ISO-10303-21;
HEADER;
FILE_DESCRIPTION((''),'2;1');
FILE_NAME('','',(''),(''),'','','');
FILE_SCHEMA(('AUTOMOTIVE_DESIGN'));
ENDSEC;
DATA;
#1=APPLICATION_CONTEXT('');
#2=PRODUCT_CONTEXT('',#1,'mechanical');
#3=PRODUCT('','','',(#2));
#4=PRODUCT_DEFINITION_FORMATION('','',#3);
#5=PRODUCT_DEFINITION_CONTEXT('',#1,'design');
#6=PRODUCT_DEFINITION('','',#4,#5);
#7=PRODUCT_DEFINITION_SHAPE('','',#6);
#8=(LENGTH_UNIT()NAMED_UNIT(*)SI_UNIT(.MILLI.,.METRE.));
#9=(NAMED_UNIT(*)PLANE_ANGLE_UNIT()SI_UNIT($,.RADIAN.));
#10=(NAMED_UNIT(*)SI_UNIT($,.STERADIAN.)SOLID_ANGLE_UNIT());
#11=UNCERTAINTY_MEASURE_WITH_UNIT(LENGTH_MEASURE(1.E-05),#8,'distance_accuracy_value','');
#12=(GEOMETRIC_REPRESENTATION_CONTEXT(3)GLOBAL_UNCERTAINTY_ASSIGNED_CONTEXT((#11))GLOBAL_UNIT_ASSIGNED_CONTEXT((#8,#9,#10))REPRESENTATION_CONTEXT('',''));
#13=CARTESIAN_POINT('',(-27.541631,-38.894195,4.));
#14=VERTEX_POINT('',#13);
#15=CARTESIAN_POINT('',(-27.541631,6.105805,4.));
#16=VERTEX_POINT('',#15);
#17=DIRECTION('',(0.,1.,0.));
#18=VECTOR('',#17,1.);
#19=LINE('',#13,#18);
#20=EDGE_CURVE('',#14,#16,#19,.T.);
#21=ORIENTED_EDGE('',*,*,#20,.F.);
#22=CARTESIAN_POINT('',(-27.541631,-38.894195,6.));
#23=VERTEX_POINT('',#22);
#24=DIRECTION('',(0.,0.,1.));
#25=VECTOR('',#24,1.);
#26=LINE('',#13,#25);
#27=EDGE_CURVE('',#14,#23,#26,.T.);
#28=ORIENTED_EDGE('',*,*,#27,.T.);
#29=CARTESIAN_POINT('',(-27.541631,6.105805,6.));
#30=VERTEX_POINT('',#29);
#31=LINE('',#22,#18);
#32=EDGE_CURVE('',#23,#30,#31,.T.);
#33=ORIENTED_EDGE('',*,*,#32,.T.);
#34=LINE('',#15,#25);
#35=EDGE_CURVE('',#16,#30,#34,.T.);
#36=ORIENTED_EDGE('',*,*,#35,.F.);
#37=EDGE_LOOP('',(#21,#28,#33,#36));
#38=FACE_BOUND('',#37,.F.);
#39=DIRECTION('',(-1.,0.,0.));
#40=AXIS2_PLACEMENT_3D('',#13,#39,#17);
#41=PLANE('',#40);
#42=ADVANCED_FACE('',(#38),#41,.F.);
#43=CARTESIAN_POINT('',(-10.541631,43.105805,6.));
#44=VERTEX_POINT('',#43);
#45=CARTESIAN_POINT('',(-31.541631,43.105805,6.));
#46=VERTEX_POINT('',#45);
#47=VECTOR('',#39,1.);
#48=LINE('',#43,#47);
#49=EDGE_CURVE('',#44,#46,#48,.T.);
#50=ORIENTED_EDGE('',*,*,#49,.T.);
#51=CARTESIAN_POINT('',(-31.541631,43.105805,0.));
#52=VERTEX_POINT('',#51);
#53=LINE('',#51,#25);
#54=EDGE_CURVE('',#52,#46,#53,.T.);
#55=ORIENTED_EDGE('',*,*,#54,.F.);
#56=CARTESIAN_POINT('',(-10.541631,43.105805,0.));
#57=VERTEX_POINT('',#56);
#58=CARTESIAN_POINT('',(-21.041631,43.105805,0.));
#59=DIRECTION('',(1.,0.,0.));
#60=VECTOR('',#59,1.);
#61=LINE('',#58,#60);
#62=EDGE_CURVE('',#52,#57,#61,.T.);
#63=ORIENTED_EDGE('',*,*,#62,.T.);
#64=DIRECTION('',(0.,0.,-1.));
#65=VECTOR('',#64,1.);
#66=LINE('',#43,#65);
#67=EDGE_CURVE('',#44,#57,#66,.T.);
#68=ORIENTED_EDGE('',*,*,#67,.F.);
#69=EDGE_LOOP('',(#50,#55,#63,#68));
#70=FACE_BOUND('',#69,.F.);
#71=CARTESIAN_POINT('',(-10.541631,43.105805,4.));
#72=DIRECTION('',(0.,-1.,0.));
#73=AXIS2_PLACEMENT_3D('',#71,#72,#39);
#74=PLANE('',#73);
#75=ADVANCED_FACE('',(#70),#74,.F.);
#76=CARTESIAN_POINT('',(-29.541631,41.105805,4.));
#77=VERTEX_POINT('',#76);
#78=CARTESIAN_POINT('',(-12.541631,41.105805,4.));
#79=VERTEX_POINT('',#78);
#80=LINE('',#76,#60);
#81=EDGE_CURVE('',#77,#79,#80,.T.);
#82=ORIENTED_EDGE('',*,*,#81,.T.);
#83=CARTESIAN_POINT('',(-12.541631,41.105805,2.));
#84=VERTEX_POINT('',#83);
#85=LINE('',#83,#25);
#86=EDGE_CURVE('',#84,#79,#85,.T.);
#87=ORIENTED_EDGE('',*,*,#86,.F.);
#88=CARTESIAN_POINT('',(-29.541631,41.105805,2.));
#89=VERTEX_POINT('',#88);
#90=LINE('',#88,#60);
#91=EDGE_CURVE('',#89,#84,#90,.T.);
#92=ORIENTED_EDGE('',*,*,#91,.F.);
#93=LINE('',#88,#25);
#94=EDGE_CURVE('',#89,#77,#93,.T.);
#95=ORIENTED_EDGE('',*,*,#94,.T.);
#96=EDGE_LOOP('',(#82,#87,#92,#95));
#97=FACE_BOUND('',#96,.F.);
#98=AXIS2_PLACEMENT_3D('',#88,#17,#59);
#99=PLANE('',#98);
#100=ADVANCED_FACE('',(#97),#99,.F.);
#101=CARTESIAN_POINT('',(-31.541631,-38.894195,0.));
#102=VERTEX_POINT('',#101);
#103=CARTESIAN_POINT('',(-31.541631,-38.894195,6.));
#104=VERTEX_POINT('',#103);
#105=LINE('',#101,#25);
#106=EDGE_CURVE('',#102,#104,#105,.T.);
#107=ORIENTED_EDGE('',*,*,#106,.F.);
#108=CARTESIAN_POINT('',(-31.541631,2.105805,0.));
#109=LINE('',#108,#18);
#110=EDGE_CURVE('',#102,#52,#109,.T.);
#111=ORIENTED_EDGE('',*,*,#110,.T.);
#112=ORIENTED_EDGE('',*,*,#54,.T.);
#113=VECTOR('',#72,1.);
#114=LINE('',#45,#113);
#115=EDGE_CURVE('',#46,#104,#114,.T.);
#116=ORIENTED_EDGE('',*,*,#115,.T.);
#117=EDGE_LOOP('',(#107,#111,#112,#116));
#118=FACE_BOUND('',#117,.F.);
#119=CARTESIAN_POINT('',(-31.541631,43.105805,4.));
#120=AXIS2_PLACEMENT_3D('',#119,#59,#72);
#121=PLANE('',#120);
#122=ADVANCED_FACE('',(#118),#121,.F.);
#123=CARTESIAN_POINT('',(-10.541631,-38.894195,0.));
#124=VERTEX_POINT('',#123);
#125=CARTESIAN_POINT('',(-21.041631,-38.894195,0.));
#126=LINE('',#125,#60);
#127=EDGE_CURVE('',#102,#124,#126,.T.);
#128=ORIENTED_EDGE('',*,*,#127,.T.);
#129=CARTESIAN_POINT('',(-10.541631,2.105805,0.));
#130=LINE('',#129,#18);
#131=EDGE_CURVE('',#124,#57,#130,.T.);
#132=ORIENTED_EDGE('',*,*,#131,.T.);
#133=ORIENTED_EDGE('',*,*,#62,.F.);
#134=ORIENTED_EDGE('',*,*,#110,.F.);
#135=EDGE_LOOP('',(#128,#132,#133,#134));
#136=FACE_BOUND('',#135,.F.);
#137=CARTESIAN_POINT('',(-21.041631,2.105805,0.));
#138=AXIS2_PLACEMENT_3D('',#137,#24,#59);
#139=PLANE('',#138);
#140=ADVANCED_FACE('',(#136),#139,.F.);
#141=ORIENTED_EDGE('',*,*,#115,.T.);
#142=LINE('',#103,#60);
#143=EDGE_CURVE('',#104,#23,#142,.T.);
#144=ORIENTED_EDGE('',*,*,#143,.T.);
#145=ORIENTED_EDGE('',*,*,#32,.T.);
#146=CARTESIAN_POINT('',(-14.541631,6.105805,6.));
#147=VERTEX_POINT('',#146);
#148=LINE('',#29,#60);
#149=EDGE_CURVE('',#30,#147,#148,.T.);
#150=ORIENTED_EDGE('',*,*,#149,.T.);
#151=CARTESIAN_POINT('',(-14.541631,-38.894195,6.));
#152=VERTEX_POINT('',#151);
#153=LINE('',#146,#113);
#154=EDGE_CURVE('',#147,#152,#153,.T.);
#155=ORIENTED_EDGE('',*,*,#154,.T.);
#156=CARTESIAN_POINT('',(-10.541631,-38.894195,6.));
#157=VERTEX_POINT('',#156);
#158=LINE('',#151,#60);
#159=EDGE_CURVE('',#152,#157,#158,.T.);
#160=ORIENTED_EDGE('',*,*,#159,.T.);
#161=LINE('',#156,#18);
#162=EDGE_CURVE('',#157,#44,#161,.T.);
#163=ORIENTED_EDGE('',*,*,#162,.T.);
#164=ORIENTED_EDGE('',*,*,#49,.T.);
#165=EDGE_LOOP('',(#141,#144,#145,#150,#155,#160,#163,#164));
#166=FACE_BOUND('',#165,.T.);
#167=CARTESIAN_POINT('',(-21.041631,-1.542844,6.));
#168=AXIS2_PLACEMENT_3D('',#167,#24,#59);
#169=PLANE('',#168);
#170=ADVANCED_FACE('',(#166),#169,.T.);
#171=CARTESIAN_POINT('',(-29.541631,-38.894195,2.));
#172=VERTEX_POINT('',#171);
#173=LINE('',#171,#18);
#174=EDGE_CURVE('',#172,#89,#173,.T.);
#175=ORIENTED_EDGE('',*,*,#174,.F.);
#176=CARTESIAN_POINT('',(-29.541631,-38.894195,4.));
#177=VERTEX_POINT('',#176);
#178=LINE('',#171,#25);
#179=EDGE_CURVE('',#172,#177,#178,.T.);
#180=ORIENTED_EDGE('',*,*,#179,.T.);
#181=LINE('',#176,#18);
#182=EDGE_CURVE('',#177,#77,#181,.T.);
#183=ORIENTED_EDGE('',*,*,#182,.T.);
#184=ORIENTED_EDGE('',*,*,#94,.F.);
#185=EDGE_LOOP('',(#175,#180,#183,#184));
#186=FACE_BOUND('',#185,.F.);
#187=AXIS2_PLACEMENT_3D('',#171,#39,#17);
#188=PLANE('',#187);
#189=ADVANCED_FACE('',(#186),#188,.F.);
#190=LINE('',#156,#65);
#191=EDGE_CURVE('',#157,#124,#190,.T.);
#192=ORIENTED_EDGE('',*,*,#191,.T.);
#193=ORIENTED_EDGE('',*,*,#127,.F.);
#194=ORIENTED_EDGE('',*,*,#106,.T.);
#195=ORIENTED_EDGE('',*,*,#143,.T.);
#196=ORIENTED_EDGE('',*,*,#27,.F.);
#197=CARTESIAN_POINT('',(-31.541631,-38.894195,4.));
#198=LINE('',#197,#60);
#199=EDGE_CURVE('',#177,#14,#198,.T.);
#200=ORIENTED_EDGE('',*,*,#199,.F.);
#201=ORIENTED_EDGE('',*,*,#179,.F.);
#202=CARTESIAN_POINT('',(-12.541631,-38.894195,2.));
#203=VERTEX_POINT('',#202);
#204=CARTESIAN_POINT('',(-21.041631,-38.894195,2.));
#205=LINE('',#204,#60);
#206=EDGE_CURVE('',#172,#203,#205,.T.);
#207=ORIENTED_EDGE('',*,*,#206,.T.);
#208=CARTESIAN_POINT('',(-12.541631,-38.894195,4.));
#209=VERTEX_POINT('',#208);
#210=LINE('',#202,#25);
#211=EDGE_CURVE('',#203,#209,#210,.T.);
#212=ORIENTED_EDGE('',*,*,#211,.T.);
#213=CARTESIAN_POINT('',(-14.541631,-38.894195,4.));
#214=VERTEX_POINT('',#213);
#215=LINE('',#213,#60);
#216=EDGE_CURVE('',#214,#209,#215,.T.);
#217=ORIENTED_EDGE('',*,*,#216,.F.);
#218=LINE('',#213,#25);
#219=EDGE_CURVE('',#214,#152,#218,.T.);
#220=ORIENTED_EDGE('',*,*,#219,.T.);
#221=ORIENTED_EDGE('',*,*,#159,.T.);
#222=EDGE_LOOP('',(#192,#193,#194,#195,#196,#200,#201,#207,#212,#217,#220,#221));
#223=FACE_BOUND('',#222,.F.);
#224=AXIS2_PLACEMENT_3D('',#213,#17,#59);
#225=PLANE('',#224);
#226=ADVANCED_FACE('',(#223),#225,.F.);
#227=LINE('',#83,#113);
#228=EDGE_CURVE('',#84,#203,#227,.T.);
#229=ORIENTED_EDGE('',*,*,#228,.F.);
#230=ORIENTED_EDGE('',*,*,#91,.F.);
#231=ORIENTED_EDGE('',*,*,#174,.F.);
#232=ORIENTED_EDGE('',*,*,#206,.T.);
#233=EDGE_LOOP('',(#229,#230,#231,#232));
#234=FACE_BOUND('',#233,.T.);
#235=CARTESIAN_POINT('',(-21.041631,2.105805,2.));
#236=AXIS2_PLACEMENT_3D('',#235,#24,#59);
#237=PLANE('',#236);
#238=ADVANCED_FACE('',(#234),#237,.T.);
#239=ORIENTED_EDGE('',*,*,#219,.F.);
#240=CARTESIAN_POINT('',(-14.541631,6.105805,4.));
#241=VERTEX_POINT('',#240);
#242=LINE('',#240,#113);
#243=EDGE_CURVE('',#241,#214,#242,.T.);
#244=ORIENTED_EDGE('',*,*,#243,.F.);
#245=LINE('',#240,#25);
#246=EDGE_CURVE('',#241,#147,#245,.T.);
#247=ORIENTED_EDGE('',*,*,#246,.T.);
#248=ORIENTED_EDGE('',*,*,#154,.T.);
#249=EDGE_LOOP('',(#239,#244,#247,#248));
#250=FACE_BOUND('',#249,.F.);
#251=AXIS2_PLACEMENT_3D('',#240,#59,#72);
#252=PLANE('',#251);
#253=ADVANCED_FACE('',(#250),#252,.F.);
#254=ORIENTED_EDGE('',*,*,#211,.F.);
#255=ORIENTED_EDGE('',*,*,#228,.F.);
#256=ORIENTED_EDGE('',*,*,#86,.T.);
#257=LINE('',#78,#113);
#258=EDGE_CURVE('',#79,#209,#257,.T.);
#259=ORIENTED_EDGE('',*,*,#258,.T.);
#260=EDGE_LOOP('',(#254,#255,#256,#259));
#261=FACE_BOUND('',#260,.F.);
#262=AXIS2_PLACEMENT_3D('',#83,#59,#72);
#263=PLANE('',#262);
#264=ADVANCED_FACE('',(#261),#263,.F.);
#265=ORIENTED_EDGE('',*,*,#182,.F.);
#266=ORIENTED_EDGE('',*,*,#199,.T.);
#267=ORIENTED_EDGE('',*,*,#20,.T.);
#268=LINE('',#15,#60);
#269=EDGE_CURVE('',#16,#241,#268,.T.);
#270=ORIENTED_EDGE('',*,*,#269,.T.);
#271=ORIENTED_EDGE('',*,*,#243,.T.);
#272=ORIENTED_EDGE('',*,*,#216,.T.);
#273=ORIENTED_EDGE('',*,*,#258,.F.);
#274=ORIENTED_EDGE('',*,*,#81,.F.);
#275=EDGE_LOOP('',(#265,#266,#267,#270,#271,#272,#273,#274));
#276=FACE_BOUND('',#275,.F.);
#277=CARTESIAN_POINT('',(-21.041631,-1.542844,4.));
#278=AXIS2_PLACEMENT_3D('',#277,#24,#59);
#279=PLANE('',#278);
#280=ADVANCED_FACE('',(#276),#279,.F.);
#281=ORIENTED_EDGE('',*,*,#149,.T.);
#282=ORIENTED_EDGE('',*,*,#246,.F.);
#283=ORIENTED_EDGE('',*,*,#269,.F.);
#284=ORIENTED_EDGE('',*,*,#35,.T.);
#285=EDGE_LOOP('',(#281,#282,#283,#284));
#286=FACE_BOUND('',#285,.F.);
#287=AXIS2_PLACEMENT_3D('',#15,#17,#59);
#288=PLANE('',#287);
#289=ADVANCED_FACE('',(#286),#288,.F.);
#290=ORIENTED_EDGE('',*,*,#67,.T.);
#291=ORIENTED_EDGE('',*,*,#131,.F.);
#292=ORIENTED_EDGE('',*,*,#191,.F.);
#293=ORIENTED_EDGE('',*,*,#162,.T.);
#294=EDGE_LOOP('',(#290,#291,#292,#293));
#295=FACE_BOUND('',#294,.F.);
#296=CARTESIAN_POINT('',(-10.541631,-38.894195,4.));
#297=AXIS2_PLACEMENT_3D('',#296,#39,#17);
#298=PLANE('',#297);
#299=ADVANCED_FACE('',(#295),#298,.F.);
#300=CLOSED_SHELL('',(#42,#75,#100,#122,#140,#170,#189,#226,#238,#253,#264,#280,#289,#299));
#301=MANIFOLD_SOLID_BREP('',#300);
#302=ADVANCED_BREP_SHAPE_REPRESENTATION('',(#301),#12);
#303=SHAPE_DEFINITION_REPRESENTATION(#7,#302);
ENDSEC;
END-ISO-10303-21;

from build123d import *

# Parameters (mm, degrees)
F0_W     = 21
F0_H     = 82
F1_DEPTH = 2
F3_DEPTH = 2
F6_DEPTH = 2


with BuildPart() as f1:
    # F0 (on Top) → F1 (new body)
    with BuildSketch(Plane.XY):
        with Locations((-21.0416306257, 2.1058048904)):
            Rectangle(F0_W, F0_H)
    extrude(amount=F1_DEPTH)

    # F2 (on face) → F3 (join)
    with BuildSketch(Plane.XY.offset(2)):
        Polygon((-12.5416306257, -38.8941951096), (-10.5416306257, -38.8941951096), (-10.5416306257, 43.1058048904), (-31.5416306257, 43.1058048904), (-31.5416306257, -38.8941951096), (-29.5416306257, -38.8941951096), (-29.5416306257, 41.1058048904), (-12.5416306257, 41.1058048904), align=None)
    extrude(amount=F3_DEPTH)

    # F5 (on offset) → F6 (join)
    with BuildSketch(Plane.XY.offset(4)):
        Polygon((-10.5416306257, 8.1058048904), (-10.5416306257, 43.1058048904), (-31.5416306257, 43.1058048904), (-31.5416306257, 8.1058048904), (-31.5416306257, 0), (-31.5416306257, -38.8941951096), (-27.5416306257, -38.8941951096), (-27.5416306257, 6.1058048904), (-14.5416306257, 6.1058048904), (-14.5416306257, -38.8941951096), (-10.5416306257, -38.8941951096), align=None)
    extrude(amount=F6_DEPTH)


solid = f1.part
